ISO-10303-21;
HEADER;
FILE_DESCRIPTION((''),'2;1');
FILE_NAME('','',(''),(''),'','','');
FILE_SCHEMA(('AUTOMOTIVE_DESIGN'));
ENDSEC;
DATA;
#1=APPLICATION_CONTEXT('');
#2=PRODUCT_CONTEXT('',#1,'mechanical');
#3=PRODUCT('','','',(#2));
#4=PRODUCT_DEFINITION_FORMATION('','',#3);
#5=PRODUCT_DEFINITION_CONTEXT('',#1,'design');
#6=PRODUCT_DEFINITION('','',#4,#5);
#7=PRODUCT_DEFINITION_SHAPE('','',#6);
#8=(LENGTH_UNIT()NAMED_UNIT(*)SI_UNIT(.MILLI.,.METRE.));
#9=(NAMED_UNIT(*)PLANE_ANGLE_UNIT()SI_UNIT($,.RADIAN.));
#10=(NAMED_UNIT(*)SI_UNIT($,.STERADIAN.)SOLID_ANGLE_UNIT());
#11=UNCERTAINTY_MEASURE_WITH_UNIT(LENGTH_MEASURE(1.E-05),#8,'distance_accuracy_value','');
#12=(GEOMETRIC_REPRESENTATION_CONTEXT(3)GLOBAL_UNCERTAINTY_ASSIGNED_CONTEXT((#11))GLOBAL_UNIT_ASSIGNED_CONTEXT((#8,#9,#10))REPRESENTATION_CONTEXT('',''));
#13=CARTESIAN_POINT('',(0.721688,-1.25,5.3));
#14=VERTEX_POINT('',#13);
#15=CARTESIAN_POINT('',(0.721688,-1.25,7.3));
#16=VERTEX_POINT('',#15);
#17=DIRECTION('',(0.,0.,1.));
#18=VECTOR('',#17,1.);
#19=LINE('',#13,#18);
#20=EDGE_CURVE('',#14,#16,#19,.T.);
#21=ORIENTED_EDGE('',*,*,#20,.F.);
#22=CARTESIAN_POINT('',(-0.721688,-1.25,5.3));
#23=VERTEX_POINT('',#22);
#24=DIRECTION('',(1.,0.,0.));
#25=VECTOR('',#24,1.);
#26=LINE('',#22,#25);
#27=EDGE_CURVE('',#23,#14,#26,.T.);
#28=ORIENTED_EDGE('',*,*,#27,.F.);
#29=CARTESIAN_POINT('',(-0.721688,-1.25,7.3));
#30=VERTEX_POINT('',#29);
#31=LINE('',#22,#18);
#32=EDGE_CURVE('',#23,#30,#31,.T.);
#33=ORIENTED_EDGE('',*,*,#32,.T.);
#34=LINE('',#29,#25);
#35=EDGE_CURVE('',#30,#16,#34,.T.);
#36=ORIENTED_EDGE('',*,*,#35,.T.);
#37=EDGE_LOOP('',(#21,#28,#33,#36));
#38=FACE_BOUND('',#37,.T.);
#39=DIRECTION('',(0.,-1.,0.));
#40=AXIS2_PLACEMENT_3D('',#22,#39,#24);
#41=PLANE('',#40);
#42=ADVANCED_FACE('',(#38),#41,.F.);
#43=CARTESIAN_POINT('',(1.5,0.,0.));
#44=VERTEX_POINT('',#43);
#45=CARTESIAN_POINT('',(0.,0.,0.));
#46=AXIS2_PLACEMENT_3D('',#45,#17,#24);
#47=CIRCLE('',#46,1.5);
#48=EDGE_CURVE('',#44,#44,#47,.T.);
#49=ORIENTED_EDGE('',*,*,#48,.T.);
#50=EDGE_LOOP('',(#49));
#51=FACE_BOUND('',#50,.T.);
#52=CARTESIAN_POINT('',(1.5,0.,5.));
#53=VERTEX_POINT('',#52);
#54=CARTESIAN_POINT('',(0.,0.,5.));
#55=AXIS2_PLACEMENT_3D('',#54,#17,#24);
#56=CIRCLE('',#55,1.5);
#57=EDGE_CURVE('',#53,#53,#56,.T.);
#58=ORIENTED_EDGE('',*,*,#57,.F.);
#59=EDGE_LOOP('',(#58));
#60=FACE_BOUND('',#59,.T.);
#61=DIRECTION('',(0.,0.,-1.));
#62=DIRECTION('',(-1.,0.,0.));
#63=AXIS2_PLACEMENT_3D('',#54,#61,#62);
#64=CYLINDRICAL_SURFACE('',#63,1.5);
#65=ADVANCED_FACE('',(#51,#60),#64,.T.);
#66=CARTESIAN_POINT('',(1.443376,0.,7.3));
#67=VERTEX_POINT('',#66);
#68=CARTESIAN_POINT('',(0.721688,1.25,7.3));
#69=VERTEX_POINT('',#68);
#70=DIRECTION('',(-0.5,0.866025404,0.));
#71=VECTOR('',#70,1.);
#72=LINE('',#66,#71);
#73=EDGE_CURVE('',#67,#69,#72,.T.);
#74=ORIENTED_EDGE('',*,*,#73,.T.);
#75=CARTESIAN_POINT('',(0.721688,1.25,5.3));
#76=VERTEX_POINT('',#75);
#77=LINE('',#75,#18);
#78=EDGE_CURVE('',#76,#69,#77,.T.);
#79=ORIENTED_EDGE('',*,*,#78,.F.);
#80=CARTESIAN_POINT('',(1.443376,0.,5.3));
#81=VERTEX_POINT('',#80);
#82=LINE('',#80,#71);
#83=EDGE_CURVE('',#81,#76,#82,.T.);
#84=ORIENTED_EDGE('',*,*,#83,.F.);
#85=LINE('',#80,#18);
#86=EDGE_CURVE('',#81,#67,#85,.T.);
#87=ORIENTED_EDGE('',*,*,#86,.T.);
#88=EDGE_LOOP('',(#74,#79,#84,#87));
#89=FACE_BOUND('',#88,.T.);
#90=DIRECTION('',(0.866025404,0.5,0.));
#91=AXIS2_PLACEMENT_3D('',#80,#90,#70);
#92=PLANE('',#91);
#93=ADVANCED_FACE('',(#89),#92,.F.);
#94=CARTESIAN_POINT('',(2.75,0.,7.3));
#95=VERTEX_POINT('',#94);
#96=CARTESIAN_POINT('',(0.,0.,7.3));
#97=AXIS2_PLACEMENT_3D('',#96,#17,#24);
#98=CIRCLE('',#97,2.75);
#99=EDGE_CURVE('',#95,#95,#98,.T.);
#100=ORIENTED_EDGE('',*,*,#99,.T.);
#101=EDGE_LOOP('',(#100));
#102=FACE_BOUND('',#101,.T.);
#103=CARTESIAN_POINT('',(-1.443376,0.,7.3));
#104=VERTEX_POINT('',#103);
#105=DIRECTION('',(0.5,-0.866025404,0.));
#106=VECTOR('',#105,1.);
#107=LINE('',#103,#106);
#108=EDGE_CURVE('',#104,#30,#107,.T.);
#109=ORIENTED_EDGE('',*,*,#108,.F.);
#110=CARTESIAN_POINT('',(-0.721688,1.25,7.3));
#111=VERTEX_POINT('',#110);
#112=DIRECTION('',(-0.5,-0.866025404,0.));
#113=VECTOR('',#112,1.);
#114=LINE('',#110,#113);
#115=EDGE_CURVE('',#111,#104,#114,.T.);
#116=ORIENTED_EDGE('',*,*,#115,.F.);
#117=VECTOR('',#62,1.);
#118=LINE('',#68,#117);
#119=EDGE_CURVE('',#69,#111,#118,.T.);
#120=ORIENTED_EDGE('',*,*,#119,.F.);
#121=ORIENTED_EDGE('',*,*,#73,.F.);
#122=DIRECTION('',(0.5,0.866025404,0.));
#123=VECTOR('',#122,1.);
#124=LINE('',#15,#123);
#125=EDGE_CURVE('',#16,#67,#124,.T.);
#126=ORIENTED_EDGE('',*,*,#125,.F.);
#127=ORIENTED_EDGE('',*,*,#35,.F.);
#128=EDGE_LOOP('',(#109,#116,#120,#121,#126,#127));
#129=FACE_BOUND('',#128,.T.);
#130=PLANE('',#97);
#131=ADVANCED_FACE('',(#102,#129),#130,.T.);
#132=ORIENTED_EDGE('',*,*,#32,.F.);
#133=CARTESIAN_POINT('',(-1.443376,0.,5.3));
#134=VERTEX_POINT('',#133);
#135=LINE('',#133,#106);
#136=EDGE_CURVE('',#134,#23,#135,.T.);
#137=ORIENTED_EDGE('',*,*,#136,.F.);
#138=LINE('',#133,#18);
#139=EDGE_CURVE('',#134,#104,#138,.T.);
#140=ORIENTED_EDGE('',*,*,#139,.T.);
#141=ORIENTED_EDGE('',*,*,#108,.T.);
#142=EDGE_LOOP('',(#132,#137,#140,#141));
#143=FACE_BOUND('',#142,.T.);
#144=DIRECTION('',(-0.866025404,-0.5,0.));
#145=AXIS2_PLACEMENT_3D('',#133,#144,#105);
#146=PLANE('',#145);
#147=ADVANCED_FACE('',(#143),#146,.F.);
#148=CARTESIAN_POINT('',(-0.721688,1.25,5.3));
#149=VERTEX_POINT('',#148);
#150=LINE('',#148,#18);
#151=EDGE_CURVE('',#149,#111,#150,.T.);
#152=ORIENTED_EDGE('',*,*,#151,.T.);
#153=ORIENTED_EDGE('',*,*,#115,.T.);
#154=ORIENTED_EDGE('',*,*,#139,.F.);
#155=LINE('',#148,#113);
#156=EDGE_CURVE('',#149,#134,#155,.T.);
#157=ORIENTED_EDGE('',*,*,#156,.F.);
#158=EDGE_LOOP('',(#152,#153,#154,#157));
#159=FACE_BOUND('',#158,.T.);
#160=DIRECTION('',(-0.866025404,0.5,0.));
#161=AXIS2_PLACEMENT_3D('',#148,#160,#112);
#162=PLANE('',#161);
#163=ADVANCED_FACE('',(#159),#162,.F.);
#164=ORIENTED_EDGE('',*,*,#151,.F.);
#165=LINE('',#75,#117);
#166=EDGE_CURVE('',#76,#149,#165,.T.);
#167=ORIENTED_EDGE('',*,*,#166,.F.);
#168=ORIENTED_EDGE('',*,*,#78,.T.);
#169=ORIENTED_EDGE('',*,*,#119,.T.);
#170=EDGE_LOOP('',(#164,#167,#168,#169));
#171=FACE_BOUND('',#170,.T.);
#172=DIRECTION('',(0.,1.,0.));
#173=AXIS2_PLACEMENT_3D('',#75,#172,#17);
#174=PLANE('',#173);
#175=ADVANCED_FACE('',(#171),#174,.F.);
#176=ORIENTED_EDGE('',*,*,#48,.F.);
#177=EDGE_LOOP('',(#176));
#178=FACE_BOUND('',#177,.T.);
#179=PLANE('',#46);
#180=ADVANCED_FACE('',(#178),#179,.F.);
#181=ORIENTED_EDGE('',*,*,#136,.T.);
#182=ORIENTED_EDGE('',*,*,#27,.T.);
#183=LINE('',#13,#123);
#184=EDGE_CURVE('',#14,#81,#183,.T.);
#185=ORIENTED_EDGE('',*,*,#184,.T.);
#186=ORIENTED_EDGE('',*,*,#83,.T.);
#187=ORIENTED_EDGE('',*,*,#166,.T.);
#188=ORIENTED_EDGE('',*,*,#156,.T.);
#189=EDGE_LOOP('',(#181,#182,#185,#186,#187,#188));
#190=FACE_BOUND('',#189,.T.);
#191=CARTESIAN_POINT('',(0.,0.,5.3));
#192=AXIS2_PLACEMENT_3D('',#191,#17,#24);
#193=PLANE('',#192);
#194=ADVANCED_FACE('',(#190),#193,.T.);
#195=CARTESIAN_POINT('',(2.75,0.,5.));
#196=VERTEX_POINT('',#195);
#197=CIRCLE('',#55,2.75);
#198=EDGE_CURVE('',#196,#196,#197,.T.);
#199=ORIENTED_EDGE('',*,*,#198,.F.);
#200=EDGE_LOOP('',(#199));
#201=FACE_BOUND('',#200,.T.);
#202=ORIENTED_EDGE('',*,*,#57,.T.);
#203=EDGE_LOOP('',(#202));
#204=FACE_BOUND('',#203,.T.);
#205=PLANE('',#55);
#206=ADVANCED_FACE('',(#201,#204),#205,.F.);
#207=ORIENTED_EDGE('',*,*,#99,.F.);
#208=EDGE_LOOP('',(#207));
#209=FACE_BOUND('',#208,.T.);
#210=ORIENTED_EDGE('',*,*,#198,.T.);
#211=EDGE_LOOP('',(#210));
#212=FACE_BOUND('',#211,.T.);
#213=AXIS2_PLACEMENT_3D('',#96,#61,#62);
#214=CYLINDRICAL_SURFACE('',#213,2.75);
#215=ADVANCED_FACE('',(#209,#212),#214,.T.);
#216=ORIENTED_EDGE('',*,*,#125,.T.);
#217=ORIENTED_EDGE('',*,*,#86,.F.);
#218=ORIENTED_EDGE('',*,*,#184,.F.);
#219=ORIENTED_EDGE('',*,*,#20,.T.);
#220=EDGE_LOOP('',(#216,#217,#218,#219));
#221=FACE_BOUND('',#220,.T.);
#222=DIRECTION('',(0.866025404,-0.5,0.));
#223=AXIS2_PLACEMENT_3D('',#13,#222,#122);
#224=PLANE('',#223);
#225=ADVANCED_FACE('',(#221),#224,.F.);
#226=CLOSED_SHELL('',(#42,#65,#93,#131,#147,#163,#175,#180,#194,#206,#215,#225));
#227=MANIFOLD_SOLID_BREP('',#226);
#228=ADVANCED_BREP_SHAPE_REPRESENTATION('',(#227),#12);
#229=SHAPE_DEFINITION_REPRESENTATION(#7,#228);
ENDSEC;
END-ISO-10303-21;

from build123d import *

# Parameters (mm, degrees)
ESQUISSE1_R             = 1.5
BOSS_EXTRU_1_DEPTH      = 5
ESQUISSE2_R             = 2.75
BOSS_EXTRU_2_DEPTH      = 2.3
ENL_V_MAT_EXTRU_1_DEPTH = 2


with BuildPart() as part:
    # Esquisse1 → Boss.-Extru.1 (new body)
    with BuildSketch(Plane.XY):
        Circle(ESQUISSE1_R)
    extrude(amount=BOSS_EXTRU_1_DEPTH)

    # Esquisse2 → Boss.-Extru.2 (add)
    with BuildSketch(Plane.XY.offset(5)):
        Circle(ESQUISSE2_R)
    extrude(amount=BOSS_EXTRU_2_DEPTH)

    # Esquisse3 → Enlèv. mat.-Extru.1 (cut)
    with BuildSketch(Plane.XY.offset(7.3)):
        Polygon((1.443375673, 0), (0.721687836, 1.25), (-0.721687836, 1.25), (-1.443375673, 0), (-0.721687836, -1.25), (0.721687836, -1.25), align=None)
    extrude(amount=-ENL_V_MAT_EXTRU_1_DEPTH, mode=Mode.SUBTRACT)


solid = part.part
